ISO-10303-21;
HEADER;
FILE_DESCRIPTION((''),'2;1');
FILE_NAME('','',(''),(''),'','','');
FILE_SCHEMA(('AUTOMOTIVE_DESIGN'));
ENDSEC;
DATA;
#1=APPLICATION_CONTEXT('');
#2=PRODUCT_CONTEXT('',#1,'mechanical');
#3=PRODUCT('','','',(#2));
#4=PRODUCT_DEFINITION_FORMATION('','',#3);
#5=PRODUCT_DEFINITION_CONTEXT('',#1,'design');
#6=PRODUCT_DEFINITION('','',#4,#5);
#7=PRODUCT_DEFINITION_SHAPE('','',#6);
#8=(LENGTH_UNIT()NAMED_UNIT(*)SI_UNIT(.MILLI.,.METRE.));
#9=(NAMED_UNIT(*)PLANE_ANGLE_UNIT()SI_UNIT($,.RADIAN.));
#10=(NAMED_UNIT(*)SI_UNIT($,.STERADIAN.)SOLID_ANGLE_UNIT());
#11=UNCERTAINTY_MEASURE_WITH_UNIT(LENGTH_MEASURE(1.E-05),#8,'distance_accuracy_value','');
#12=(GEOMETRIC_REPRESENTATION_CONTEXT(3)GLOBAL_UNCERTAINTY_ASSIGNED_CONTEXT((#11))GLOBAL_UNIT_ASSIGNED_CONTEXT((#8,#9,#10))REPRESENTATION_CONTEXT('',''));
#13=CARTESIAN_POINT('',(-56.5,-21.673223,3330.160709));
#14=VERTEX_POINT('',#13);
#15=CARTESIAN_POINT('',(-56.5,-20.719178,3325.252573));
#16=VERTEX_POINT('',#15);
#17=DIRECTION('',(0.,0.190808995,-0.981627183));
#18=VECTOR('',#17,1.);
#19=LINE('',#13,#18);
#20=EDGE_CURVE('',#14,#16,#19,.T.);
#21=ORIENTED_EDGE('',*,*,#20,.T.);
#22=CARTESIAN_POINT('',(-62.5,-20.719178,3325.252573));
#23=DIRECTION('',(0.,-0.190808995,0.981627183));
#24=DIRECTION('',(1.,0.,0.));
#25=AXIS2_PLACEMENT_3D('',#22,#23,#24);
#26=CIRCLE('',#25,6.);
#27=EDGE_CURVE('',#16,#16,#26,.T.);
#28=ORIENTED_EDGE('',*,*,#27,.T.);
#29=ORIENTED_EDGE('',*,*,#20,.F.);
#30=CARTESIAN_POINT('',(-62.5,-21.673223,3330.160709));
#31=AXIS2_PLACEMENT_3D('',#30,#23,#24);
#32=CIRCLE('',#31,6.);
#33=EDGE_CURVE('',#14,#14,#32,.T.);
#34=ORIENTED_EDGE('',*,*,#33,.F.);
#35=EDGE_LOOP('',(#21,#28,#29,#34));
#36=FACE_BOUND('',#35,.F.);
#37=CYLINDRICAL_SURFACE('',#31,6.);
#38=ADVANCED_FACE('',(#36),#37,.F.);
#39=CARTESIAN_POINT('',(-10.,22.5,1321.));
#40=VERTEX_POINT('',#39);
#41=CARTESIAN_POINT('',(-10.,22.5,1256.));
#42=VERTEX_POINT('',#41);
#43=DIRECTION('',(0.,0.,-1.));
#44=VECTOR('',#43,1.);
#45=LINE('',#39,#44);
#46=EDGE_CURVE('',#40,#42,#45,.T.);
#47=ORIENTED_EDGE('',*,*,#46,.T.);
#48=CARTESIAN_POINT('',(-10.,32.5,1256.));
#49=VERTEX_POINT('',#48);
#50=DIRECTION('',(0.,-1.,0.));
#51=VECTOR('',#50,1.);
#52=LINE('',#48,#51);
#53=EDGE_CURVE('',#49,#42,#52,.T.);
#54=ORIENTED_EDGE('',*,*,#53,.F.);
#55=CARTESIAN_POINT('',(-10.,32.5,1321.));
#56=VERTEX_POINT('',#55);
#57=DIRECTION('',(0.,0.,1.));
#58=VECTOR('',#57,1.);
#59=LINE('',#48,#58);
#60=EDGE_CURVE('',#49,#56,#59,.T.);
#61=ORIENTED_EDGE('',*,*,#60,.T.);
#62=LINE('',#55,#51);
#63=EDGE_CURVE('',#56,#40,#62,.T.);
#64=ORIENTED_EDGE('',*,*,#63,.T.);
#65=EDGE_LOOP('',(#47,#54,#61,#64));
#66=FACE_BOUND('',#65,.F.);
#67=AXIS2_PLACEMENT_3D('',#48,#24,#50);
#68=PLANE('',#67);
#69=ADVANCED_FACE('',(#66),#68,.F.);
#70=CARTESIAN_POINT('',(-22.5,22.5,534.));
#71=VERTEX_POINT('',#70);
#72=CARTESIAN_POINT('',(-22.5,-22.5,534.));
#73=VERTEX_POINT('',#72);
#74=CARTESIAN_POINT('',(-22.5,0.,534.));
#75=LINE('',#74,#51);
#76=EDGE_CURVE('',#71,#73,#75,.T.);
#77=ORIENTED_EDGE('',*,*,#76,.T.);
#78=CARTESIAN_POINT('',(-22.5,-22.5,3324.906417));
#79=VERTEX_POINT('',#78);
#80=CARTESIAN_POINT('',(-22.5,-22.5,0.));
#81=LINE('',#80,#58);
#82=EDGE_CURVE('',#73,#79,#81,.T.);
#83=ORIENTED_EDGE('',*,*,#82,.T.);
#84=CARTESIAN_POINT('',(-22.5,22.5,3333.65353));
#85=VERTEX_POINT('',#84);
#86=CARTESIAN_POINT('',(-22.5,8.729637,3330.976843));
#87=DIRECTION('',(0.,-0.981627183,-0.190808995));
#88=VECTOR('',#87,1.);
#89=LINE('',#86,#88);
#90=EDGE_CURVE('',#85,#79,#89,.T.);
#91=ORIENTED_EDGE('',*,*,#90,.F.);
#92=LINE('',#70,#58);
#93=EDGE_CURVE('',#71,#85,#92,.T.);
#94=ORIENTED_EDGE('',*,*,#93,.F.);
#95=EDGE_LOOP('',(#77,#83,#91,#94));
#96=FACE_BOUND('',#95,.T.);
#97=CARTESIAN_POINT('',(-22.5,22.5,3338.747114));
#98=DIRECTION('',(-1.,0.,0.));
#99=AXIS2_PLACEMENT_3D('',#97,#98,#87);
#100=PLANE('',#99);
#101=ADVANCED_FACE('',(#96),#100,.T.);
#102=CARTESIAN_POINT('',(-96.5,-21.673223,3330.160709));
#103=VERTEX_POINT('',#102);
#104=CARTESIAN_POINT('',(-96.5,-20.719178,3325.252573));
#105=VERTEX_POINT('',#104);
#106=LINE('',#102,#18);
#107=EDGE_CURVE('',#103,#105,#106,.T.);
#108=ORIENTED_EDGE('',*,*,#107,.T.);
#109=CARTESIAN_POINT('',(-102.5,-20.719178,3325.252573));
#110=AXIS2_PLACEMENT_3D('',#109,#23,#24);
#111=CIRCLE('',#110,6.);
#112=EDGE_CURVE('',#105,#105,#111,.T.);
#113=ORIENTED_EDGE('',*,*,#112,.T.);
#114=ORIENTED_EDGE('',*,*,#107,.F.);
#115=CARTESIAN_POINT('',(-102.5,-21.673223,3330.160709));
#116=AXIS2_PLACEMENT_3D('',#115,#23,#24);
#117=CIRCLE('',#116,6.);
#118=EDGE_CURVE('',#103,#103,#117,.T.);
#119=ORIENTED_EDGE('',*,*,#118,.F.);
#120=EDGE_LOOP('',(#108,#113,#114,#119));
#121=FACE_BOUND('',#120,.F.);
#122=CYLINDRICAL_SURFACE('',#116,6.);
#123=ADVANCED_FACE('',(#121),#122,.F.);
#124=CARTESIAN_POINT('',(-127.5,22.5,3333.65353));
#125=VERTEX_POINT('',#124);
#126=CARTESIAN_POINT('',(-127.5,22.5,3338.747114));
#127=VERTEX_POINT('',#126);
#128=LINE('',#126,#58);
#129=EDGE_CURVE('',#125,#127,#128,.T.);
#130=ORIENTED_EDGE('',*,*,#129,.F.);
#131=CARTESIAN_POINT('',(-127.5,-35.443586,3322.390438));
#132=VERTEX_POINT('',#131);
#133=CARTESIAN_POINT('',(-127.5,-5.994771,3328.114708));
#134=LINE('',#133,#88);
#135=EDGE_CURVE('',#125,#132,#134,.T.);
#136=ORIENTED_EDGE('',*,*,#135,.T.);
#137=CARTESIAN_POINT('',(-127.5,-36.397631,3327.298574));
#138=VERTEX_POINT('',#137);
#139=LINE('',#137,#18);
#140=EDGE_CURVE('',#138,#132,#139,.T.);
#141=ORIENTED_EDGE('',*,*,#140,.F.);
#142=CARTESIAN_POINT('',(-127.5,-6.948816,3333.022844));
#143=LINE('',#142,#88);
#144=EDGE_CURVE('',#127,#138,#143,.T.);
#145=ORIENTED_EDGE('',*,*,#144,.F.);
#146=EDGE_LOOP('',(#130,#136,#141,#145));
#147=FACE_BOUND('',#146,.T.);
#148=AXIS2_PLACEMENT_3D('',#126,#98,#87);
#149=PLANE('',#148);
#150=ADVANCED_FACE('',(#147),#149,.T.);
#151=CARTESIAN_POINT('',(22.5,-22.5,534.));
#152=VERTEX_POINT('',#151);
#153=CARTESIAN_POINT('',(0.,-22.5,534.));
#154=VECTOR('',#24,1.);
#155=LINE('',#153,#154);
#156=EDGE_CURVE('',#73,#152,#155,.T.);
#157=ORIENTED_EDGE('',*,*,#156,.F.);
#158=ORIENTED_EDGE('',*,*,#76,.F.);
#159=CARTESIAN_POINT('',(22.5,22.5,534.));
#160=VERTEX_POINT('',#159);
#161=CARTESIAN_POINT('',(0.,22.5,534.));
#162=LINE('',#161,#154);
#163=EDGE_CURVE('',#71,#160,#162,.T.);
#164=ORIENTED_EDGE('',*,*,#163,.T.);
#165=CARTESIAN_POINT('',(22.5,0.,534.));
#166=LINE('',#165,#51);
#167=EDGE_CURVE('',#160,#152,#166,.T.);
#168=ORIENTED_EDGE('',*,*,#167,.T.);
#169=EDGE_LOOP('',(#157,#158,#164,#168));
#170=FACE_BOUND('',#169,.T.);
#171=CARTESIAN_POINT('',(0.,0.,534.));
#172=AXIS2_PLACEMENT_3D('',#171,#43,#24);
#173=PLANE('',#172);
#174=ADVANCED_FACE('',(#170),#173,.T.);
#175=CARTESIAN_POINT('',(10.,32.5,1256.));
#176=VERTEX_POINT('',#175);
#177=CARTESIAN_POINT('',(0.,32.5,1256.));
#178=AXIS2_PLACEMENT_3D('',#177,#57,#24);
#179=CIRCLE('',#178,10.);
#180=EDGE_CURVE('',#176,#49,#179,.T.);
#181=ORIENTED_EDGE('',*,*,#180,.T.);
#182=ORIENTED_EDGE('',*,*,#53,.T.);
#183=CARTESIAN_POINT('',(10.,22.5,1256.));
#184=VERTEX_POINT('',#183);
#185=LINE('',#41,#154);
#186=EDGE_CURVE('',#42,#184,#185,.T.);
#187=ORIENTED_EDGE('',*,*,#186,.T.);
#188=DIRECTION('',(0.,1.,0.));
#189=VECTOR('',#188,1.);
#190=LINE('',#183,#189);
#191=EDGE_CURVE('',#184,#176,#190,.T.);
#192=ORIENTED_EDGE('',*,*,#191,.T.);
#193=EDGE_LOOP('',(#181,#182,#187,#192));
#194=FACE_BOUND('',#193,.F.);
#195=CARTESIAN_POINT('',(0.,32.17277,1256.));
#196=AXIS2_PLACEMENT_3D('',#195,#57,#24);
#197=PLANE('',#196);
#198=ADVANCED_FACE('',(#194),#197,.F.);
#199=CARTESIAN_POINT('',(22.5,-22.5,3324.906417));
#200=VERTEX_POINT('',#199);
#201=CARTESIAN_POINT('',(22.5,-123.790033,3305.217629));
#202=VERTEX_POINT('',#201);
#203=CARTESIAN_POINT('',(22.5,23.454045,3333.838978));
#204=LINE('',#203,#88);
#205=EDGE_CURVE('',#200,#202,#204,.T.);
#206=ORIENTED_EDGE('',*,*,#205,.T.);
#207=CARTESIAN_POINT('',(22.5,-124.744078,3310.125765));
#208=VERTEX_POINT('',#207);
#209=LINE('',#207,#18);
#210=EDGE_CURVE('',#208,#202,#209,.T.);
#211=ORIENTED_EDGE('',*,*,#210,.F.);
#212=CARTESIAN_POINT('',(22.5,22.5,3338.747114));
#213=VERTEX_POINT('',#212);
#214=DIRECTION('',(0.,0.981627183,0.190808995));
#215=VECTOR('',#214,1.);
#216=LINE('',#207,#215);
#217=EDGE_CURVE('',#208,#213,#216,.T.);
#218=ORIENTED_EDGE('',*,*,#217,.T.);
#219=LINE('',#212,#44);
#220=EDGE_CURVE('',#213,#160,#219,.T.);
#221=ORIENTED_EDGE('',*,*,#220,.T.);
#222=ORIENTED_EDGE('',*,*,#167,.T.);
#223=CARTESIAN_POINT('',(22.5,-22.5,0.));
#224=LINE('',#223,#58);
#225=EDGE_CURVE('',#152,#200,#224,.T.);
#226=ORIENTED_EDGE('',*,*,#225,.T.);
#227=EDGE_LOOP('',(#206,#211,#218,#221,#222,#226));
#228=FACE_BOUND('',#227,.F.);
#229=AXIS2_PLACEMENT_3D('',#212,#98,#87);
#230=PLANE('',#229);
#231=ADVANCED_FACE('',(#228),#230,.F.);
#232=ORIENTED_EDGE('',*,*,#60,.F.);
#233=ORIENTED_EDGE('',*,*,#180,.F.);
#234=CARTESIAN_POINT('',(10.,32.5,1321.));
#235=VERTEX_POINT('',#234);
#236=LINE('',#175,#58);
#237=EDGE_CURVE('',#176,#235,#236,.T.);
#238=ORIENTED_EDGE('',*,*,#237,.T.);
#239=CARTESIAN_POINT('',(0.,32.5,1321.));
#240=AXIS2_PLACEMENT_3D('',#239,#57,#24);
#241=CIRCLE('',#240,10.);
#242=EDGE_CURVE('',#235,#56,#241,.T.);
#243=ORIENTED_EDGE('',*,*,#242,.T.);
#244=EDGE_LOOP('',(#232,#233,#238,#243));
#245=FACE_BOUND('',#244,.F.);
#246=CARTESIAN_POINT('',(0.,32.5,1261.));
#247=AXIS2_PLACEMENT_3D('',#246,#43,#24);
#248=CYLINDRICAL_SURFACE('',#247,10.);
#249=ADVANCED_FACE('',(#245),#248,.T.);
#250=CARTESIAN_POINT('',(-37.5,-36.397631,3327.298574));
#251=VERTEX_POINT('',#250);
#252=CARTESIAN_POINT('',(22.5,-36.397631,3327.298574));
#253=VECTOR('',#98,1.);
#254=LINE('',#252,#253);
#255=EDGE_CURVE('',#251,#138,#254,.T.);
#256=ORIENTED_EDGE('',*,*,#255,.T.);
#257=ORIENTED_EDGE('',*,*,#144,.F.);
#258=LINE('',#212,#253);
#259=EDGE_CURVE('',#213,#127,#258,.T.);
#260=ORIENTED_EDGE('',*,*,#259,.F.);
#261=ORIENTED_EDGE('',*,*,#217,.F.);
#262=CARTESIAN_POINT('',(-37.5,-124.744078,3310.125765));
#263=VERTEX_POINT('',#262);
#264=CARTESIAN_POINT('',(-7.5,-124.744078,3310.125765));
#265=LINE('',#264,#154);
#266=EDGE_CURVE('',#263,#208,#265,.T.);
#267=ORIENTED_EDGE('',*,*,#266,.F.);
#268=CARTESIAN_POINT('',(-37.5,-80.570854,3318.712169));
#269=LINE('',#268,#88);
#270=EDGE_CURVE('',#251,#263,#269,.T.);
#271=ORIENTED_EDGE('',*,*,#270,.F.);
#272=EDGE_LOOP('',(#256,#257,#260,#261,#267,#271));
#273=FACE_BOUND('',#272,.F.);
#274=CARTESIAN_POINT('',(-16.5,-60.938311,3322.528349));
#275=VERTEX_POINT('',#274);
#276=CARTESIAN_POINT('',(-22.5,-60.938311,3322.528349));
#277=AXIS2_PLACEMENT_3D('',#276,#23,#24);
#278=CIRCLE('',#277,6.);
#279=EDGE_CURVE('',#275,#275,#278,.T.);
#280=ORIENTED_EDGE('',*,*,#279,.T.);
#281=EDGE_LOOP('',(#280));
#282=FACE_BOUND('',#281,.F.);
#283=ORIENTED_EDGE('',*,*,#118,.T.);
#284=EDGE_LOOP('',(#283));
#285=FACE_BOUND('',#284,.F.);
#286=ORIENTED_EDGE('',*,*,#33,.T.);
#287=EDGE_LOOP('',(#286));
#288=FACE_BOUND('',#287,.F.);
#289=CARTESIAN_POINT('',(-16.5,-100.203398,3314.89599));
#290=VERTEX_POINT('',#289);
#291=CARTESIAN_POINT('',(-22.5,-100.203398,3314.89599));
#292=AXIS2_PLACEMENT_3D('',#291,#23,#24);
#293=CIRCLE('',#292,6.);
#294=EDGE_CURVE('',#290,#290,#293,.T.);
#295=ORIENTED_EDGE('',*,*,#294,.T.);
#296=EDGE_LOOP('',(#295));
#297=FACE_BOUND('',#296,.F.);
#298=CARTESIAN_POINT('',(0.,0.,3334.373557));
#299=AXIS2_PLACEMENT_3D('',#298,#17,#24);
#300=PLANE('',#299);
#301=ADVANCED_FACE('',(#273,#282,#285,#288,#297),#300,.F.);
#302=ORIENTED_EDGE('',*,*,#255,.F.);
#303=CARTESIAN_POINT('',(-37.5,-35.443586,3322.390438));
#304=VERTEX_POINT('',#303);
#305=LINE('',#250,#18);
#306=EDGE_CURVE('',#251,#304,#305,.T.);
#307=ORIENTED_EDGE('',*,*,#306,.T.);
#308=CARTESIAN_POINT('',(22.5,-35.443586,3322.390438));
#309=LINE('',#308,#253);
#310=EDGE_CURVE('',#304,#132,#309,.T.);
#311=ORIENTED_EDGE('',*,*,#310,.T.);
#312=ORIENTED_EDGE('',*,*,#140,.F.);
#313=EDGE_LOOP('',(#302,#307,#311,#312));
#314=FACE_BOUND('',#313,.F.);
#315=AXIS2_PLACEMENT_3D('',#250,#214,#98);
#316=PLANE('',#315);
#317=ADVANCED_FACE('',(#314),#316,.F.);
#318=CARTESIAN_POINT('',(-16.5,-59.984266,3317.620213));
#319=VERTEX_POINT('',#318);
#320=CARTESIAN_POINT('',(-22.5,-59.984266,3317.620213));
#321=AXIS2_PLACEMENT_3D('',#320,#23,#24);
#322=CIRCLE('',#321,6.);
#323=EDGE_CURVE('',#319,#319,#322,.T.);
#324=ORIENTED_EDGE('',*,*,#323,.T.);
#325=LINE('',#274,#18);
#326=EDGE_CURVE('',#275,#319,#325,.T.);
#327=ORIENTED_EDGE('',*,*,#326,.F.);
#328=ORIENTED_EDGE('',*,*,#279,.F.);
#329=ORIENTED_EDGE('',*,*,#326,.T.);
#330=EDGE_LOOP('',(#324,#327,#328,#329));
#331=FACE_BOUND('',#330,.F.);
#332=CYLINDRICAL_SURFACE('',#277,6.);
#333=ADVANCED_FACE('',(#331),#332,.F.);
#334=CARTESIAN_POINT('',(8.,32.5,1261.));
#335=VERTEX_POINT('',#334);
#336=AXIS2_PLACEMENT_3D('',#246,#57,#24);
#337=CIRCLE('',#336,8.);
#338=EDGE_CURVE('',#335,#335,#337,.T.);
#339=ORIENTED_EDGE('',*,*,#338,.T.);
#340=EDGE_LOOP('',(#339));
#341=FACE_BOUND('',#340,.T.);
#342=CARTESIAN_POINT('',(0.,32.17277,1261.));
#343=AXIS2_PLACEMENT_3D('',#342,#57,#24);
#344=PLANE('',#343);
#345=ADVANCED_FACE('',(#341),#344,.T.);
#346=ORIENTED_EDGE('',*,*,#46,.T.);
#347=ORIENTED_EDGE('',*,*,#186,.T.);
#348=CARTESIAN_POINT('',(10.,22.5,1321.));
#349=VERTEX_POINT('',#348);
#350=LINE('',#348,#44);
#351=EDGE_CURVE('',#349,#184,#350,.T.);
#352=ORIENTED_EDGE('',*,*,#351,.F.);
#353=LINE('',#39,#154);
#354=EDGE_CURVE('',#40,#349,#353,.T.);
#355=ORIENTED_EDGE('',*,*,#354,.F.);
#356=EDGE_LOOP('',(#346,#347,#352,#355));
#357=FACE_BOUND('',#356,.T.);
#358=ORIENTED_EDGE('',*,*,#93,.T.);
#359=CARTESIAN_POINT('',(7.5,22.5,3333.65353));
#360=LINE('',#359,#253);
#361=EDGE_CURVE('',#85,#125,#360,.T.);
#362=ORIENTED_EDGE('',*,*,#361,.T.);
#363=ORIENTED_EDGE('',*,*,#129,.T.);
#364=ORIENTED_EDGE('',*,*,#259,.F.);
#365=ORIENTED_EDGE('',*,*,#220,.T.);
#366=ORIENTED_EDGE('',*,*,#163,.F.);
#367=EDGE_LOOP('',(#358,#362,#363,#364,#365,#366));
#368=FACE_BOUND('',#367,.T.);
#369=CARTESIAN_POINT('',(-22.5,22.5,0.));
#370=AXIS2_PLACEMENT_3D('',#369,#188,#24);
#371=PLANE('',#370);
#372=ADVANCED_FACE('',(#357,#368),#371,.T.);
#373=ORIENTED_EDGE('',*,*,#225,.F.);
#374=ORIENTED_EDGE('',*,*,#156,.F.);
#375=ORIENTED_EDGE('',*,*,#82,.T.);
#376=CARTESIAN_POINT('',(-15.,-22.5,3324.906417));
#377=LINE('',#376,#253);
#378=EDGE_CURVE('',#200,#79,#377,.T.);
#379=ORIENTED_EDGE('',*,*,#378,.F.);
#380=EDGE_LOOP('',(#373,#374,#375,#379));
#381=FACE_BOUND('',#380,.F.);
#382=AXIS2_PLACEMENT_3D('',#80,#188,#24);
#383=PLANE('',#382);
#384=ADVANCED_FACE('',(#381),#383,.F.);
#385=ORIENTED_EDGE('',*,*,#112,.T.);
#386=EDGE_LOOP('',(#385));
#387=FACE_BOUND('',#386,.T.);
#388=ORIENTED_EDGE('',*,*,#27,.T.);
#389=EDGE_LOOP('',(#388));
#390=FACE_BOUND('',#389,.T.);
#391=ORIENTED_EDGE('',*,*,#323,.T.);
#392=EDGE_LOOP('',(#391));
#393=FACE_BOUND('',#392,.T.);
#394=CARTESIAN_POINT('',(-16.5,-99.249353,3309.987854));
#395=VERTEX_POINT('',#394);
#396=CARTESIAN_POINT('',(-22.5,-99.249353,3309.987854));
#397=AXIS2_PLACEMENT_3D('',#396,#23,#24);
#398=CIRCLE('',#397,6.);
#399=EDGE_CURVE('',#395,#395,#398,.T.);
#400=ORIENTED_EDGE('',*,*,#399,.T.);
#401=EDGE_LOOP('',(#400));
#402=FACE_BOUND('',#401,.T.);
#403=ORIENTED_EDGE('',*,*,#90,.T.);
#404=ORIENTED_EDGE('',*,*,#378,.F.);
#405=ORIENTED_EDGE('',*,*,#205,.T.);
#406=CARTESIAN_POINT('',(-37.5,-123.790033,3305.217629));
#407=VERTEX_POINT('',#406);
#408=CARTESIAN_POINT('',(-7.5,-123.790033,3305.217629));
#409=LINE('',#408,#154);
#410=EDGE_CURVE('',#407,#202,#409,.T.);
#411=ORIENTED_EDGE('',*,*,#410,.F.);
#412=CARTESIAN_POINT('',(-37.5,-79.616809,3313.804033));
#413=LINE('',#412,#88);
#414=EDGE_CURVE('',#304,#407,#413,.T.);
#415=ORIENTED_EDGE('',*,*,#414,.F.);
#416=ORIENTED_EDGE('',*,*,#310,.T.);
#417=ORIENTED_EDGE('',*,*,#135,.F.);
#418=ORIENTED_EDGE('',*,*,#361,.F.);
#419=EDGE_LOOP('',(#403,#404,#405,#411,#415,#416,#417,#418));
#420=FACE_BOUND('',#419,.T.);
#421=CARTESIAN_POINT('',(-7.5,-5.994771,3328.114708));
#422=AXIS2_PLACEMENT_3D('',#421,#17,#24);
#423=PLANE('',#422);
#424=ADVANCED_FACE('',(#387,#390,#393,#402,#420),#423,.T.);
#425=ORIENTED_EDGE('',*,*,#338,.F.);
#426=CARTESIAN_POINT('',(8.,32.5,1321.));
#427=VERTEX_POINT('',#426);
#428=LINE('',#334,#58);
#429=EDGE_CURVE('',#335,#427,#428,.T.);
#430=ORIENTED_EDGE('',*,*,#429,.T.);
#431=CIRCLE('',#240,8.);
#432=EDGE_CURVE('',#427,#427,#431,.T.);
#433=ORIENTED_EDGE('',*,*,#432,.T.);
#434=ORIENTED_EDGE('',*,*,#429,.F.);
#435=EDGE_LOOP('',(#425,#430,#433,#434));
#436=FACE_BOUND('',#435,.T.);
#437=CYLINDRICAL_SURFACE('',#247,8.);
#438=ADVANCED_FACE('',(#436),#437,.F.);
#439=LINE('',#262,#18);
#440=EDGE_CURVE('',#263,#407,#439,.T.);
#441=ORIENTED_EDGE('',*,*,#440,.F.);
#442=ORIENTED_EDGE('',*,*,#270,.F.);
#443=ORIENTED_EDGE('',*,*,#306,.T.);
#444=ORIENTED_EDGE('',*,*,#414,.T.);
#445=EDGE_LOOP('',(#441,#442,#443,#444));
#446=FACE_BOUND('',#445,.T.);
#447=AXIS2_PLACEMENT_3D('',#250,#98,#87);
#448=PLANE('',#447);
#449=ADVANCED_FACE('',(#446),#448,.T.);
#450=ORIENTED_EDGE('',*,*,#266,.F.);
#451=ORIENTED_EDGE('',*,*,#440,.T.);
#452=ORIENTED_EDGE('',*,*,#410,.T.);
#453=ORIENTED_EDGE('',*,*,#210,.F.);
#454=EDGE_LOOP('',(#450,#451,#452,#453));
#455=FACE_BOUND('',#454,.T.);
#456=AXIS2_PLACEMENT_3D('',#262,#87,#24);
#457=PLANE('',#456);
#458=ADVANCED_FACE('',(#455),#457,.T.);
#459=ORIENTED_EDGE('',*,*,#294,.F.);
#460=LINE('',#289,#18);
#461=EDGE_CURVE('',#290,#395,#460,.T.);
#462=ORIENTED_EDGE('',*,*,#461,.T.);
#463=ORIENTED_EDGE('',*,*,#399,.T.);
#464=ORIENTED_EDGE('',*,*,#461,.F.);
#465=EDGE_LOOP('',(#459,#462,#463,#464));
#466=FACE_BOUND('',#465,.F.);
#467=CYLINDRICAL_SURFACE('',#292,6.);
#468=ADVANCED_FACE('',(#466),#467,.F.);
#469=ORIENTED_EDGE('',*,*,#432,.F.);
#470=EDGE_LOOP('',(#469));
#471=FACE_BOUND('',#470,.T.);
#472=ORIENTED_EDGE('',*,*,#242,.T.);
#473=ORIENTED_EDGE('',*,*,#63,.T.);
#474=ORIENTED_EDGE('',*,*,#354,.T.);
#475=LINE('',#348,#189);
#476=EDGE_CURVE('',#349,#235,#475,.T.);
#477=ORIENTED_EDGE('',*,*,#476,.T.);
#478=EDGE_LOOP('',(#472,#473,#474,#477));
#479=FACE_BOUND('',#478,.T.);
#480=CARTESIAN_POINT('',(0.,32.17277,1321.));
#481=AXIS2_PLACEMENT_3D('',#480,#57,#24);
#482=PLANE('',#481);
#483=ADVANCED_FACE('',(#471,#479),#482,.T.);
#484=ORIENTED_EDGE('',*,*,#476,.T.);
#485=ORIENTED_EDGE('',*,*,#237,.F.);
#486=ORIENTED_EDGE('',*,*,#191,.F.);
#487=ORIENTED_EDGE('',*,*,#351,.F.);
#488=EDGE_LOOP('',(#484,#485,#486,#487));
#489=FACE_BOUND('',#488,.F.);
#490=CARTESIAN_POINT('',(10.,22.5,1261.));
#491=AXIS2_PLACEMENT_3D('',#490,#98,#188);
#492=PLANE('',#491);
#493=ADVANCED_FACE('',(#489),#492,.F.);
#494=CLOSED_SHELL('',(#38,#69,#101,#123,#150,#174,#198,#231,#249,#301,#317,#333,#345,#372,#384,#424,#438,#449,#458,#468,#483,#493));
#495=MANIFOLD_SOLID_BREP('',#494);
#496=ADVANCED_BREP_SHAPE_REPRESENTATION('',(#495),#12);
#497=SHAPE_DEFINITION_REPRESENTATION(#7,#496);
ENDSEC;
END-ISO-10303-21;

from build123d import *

# Parameters (mm, degrees)
F0_W      = 45
F0_H      = 45
F1_DEPTH  = 3330
F6_W      = 45
F6_H      = 45.842251273
F7_DEPTH  = 25
F8_W      = 60
F8_H      = 60
F8_W_2    = 90
F8_H_2    = 90
F9_DEPTH  = 5
F10_R     = 6
F11_DEPTH = 25
F13_DEPTH = 5
F14_R     = 8
F15_DEPTH = 60
F16_W     = 45
F16_H     = 45
F17_DEPTH = 534
F19_DEPTH = 150.001


with BuildPart() as f1:
    # F0 (on Top) → F1 (new body)
    with BuildSketch(Plane.XY):
        Rectangle(F0_W, F0_H)
    extrude(amount=F1_DEPTH)

    # F6 (on face) → F7 (join)
    with BuildSketch(Plane(origin=(0, -624.5391596736, 3212.9754420296), x_dir=(1, 0, 0), z_dir=(0, 0.1908089954, -0.9816271834))):
        with Locations((0, -636.2284686128)):
            Rectangle(F6_W, F6_H)
    extrude(amount=F7_DEPTH)

    # F8 (on face) → F9 (join)
    with BuildSketch(Plane(origin=(0, -624.5391596736, 3212.9754420296), x_dir=(1, 0, 0), z_dir=(0, 0.1908089954, -0.9816271834))):
        with Locations((-7.5, -629.1495942493)):
            Rectangle(F8_W, F8_H)
        with Locations((-82.5, -629.1495942493)):
            Rectangle(F8_W_2, F8_H)
        with Locations((-7.5, -554.1495942493)):
            Rectangle(F8_W, F8_H_2)
    extrude(amount=F9_DEPTH)

    # F10 (on face) → F11 (cut)
    with BuildSketch(Plane(origin=(0, -624.5391596736, 3212.9754420296), x_dir=(1, 0, 0), z_dir=(0, -0.1908089954, 0.9816271834))):
        with Locations((-22.5, 534.1495942493)):
            Circle(F10_R)
        with Locations((-22.5, 574.1495942493)):
            Circle(F10_R)
        with Locations((-62.5, 614.1495942493)):
            Circle(F10_R)
        with Locations((-102.5, 614.1495942493)):
            Circle(F10_R)
    extrude(amount=-F11_DEPTH, mode=Mode.SUBTRACT)

    # F3 (on offset) → F13 (join)
    with BuildSketch(Plane.XY.offset(1256)):
        with BuildLine():
            ThreePointArc((0, 22.5), (7.0710678119, 25.4289321881), (10, 32.5))
            ThreePointArc((10, 32.5), (0, 42.5), (-10, 32.5))
            ThreePointArc((-10, 32.5), (-7.0710678119, 25.4289321881), (0, 22.5))
        make_face()
        with BuildLine():
            Line((10, 22.5), (10, 32.5))
            ThreePointArc((10, 32.5), (7.0710678119, 25.4289321881), (0, 22.5))
            Line((0, 22.5), (10, 22.5))
        make_face()
        with BuildLine():
            ThreePointArc((0, 22.5), (-7.0710678119, 25.4289321881), (-10, 32.5))
            Line((-10, 32.5), (-10, 22.5))
            Line((-10, 22.5), (0, 22.5))
        make_face()
    extrude(amount=F13_DEPTH)

    # F14 (on face) → F15 (join)
    with BuildSketch(Plane.XY.offset(1261)):
        with BuildLine():
            ThreePointArc((0, 22.5), (7.0710678119, 25.4289321881), (10, 32.5))
            ThreePointArc((10, 32.5), (0, 42.5), (-10, 32.5))
            ThreePointArc((-10, 32.5), (-7.0710678119, 25.4289321881), (0, 22.5))
        make_face()
        with Locations((0, 32.5)):
            Circle(F14_R, mode=Mode.SUBTRACT)
        with BuildLine():
            Line((10, 22.5), (10, 32.5))
            ThreePointArc((10, 32.5), (7.0710678119, 25.4289321881), (0, 22.5))
            Line((0, 22.5), (10, 22.5))
        make_face()
        with BuildLine():
            ThreePointArc((0, 22.5), (-7.0710678119, 25.4289321881), (-10, 32.5))
            Line((-10, 32.5), (-10, 22.5))
            Line((-10, 22.5), (0, 22.5))
        make_face()
    extrude(amount=F15_DEPTH)

    # F16 (on face) → F17 (cut)
    with BuildSketch(Plane(origin=(0, 0, 0), x_dir=(1, 0, 0), z_dir=(0, 0, -1))):
        Rectangle(F16_W, F16_H)
    extrude(amount=-F17_DEPTH, mode=Mode.SUBTRACT)

    # F18 (on face) → F19 (cut, through all)
    with BuildSketch(Plane.YZ.offset(22.5)):
        Polygon((22.5, 3338.7471139112), (22.5, 3313.2791965373), (27.2702248844, 3314.206434325), align=None)
    extrude(amount=-F19_DEPTH, mode=Mode.SUBTRACT)


solid = f1.part
